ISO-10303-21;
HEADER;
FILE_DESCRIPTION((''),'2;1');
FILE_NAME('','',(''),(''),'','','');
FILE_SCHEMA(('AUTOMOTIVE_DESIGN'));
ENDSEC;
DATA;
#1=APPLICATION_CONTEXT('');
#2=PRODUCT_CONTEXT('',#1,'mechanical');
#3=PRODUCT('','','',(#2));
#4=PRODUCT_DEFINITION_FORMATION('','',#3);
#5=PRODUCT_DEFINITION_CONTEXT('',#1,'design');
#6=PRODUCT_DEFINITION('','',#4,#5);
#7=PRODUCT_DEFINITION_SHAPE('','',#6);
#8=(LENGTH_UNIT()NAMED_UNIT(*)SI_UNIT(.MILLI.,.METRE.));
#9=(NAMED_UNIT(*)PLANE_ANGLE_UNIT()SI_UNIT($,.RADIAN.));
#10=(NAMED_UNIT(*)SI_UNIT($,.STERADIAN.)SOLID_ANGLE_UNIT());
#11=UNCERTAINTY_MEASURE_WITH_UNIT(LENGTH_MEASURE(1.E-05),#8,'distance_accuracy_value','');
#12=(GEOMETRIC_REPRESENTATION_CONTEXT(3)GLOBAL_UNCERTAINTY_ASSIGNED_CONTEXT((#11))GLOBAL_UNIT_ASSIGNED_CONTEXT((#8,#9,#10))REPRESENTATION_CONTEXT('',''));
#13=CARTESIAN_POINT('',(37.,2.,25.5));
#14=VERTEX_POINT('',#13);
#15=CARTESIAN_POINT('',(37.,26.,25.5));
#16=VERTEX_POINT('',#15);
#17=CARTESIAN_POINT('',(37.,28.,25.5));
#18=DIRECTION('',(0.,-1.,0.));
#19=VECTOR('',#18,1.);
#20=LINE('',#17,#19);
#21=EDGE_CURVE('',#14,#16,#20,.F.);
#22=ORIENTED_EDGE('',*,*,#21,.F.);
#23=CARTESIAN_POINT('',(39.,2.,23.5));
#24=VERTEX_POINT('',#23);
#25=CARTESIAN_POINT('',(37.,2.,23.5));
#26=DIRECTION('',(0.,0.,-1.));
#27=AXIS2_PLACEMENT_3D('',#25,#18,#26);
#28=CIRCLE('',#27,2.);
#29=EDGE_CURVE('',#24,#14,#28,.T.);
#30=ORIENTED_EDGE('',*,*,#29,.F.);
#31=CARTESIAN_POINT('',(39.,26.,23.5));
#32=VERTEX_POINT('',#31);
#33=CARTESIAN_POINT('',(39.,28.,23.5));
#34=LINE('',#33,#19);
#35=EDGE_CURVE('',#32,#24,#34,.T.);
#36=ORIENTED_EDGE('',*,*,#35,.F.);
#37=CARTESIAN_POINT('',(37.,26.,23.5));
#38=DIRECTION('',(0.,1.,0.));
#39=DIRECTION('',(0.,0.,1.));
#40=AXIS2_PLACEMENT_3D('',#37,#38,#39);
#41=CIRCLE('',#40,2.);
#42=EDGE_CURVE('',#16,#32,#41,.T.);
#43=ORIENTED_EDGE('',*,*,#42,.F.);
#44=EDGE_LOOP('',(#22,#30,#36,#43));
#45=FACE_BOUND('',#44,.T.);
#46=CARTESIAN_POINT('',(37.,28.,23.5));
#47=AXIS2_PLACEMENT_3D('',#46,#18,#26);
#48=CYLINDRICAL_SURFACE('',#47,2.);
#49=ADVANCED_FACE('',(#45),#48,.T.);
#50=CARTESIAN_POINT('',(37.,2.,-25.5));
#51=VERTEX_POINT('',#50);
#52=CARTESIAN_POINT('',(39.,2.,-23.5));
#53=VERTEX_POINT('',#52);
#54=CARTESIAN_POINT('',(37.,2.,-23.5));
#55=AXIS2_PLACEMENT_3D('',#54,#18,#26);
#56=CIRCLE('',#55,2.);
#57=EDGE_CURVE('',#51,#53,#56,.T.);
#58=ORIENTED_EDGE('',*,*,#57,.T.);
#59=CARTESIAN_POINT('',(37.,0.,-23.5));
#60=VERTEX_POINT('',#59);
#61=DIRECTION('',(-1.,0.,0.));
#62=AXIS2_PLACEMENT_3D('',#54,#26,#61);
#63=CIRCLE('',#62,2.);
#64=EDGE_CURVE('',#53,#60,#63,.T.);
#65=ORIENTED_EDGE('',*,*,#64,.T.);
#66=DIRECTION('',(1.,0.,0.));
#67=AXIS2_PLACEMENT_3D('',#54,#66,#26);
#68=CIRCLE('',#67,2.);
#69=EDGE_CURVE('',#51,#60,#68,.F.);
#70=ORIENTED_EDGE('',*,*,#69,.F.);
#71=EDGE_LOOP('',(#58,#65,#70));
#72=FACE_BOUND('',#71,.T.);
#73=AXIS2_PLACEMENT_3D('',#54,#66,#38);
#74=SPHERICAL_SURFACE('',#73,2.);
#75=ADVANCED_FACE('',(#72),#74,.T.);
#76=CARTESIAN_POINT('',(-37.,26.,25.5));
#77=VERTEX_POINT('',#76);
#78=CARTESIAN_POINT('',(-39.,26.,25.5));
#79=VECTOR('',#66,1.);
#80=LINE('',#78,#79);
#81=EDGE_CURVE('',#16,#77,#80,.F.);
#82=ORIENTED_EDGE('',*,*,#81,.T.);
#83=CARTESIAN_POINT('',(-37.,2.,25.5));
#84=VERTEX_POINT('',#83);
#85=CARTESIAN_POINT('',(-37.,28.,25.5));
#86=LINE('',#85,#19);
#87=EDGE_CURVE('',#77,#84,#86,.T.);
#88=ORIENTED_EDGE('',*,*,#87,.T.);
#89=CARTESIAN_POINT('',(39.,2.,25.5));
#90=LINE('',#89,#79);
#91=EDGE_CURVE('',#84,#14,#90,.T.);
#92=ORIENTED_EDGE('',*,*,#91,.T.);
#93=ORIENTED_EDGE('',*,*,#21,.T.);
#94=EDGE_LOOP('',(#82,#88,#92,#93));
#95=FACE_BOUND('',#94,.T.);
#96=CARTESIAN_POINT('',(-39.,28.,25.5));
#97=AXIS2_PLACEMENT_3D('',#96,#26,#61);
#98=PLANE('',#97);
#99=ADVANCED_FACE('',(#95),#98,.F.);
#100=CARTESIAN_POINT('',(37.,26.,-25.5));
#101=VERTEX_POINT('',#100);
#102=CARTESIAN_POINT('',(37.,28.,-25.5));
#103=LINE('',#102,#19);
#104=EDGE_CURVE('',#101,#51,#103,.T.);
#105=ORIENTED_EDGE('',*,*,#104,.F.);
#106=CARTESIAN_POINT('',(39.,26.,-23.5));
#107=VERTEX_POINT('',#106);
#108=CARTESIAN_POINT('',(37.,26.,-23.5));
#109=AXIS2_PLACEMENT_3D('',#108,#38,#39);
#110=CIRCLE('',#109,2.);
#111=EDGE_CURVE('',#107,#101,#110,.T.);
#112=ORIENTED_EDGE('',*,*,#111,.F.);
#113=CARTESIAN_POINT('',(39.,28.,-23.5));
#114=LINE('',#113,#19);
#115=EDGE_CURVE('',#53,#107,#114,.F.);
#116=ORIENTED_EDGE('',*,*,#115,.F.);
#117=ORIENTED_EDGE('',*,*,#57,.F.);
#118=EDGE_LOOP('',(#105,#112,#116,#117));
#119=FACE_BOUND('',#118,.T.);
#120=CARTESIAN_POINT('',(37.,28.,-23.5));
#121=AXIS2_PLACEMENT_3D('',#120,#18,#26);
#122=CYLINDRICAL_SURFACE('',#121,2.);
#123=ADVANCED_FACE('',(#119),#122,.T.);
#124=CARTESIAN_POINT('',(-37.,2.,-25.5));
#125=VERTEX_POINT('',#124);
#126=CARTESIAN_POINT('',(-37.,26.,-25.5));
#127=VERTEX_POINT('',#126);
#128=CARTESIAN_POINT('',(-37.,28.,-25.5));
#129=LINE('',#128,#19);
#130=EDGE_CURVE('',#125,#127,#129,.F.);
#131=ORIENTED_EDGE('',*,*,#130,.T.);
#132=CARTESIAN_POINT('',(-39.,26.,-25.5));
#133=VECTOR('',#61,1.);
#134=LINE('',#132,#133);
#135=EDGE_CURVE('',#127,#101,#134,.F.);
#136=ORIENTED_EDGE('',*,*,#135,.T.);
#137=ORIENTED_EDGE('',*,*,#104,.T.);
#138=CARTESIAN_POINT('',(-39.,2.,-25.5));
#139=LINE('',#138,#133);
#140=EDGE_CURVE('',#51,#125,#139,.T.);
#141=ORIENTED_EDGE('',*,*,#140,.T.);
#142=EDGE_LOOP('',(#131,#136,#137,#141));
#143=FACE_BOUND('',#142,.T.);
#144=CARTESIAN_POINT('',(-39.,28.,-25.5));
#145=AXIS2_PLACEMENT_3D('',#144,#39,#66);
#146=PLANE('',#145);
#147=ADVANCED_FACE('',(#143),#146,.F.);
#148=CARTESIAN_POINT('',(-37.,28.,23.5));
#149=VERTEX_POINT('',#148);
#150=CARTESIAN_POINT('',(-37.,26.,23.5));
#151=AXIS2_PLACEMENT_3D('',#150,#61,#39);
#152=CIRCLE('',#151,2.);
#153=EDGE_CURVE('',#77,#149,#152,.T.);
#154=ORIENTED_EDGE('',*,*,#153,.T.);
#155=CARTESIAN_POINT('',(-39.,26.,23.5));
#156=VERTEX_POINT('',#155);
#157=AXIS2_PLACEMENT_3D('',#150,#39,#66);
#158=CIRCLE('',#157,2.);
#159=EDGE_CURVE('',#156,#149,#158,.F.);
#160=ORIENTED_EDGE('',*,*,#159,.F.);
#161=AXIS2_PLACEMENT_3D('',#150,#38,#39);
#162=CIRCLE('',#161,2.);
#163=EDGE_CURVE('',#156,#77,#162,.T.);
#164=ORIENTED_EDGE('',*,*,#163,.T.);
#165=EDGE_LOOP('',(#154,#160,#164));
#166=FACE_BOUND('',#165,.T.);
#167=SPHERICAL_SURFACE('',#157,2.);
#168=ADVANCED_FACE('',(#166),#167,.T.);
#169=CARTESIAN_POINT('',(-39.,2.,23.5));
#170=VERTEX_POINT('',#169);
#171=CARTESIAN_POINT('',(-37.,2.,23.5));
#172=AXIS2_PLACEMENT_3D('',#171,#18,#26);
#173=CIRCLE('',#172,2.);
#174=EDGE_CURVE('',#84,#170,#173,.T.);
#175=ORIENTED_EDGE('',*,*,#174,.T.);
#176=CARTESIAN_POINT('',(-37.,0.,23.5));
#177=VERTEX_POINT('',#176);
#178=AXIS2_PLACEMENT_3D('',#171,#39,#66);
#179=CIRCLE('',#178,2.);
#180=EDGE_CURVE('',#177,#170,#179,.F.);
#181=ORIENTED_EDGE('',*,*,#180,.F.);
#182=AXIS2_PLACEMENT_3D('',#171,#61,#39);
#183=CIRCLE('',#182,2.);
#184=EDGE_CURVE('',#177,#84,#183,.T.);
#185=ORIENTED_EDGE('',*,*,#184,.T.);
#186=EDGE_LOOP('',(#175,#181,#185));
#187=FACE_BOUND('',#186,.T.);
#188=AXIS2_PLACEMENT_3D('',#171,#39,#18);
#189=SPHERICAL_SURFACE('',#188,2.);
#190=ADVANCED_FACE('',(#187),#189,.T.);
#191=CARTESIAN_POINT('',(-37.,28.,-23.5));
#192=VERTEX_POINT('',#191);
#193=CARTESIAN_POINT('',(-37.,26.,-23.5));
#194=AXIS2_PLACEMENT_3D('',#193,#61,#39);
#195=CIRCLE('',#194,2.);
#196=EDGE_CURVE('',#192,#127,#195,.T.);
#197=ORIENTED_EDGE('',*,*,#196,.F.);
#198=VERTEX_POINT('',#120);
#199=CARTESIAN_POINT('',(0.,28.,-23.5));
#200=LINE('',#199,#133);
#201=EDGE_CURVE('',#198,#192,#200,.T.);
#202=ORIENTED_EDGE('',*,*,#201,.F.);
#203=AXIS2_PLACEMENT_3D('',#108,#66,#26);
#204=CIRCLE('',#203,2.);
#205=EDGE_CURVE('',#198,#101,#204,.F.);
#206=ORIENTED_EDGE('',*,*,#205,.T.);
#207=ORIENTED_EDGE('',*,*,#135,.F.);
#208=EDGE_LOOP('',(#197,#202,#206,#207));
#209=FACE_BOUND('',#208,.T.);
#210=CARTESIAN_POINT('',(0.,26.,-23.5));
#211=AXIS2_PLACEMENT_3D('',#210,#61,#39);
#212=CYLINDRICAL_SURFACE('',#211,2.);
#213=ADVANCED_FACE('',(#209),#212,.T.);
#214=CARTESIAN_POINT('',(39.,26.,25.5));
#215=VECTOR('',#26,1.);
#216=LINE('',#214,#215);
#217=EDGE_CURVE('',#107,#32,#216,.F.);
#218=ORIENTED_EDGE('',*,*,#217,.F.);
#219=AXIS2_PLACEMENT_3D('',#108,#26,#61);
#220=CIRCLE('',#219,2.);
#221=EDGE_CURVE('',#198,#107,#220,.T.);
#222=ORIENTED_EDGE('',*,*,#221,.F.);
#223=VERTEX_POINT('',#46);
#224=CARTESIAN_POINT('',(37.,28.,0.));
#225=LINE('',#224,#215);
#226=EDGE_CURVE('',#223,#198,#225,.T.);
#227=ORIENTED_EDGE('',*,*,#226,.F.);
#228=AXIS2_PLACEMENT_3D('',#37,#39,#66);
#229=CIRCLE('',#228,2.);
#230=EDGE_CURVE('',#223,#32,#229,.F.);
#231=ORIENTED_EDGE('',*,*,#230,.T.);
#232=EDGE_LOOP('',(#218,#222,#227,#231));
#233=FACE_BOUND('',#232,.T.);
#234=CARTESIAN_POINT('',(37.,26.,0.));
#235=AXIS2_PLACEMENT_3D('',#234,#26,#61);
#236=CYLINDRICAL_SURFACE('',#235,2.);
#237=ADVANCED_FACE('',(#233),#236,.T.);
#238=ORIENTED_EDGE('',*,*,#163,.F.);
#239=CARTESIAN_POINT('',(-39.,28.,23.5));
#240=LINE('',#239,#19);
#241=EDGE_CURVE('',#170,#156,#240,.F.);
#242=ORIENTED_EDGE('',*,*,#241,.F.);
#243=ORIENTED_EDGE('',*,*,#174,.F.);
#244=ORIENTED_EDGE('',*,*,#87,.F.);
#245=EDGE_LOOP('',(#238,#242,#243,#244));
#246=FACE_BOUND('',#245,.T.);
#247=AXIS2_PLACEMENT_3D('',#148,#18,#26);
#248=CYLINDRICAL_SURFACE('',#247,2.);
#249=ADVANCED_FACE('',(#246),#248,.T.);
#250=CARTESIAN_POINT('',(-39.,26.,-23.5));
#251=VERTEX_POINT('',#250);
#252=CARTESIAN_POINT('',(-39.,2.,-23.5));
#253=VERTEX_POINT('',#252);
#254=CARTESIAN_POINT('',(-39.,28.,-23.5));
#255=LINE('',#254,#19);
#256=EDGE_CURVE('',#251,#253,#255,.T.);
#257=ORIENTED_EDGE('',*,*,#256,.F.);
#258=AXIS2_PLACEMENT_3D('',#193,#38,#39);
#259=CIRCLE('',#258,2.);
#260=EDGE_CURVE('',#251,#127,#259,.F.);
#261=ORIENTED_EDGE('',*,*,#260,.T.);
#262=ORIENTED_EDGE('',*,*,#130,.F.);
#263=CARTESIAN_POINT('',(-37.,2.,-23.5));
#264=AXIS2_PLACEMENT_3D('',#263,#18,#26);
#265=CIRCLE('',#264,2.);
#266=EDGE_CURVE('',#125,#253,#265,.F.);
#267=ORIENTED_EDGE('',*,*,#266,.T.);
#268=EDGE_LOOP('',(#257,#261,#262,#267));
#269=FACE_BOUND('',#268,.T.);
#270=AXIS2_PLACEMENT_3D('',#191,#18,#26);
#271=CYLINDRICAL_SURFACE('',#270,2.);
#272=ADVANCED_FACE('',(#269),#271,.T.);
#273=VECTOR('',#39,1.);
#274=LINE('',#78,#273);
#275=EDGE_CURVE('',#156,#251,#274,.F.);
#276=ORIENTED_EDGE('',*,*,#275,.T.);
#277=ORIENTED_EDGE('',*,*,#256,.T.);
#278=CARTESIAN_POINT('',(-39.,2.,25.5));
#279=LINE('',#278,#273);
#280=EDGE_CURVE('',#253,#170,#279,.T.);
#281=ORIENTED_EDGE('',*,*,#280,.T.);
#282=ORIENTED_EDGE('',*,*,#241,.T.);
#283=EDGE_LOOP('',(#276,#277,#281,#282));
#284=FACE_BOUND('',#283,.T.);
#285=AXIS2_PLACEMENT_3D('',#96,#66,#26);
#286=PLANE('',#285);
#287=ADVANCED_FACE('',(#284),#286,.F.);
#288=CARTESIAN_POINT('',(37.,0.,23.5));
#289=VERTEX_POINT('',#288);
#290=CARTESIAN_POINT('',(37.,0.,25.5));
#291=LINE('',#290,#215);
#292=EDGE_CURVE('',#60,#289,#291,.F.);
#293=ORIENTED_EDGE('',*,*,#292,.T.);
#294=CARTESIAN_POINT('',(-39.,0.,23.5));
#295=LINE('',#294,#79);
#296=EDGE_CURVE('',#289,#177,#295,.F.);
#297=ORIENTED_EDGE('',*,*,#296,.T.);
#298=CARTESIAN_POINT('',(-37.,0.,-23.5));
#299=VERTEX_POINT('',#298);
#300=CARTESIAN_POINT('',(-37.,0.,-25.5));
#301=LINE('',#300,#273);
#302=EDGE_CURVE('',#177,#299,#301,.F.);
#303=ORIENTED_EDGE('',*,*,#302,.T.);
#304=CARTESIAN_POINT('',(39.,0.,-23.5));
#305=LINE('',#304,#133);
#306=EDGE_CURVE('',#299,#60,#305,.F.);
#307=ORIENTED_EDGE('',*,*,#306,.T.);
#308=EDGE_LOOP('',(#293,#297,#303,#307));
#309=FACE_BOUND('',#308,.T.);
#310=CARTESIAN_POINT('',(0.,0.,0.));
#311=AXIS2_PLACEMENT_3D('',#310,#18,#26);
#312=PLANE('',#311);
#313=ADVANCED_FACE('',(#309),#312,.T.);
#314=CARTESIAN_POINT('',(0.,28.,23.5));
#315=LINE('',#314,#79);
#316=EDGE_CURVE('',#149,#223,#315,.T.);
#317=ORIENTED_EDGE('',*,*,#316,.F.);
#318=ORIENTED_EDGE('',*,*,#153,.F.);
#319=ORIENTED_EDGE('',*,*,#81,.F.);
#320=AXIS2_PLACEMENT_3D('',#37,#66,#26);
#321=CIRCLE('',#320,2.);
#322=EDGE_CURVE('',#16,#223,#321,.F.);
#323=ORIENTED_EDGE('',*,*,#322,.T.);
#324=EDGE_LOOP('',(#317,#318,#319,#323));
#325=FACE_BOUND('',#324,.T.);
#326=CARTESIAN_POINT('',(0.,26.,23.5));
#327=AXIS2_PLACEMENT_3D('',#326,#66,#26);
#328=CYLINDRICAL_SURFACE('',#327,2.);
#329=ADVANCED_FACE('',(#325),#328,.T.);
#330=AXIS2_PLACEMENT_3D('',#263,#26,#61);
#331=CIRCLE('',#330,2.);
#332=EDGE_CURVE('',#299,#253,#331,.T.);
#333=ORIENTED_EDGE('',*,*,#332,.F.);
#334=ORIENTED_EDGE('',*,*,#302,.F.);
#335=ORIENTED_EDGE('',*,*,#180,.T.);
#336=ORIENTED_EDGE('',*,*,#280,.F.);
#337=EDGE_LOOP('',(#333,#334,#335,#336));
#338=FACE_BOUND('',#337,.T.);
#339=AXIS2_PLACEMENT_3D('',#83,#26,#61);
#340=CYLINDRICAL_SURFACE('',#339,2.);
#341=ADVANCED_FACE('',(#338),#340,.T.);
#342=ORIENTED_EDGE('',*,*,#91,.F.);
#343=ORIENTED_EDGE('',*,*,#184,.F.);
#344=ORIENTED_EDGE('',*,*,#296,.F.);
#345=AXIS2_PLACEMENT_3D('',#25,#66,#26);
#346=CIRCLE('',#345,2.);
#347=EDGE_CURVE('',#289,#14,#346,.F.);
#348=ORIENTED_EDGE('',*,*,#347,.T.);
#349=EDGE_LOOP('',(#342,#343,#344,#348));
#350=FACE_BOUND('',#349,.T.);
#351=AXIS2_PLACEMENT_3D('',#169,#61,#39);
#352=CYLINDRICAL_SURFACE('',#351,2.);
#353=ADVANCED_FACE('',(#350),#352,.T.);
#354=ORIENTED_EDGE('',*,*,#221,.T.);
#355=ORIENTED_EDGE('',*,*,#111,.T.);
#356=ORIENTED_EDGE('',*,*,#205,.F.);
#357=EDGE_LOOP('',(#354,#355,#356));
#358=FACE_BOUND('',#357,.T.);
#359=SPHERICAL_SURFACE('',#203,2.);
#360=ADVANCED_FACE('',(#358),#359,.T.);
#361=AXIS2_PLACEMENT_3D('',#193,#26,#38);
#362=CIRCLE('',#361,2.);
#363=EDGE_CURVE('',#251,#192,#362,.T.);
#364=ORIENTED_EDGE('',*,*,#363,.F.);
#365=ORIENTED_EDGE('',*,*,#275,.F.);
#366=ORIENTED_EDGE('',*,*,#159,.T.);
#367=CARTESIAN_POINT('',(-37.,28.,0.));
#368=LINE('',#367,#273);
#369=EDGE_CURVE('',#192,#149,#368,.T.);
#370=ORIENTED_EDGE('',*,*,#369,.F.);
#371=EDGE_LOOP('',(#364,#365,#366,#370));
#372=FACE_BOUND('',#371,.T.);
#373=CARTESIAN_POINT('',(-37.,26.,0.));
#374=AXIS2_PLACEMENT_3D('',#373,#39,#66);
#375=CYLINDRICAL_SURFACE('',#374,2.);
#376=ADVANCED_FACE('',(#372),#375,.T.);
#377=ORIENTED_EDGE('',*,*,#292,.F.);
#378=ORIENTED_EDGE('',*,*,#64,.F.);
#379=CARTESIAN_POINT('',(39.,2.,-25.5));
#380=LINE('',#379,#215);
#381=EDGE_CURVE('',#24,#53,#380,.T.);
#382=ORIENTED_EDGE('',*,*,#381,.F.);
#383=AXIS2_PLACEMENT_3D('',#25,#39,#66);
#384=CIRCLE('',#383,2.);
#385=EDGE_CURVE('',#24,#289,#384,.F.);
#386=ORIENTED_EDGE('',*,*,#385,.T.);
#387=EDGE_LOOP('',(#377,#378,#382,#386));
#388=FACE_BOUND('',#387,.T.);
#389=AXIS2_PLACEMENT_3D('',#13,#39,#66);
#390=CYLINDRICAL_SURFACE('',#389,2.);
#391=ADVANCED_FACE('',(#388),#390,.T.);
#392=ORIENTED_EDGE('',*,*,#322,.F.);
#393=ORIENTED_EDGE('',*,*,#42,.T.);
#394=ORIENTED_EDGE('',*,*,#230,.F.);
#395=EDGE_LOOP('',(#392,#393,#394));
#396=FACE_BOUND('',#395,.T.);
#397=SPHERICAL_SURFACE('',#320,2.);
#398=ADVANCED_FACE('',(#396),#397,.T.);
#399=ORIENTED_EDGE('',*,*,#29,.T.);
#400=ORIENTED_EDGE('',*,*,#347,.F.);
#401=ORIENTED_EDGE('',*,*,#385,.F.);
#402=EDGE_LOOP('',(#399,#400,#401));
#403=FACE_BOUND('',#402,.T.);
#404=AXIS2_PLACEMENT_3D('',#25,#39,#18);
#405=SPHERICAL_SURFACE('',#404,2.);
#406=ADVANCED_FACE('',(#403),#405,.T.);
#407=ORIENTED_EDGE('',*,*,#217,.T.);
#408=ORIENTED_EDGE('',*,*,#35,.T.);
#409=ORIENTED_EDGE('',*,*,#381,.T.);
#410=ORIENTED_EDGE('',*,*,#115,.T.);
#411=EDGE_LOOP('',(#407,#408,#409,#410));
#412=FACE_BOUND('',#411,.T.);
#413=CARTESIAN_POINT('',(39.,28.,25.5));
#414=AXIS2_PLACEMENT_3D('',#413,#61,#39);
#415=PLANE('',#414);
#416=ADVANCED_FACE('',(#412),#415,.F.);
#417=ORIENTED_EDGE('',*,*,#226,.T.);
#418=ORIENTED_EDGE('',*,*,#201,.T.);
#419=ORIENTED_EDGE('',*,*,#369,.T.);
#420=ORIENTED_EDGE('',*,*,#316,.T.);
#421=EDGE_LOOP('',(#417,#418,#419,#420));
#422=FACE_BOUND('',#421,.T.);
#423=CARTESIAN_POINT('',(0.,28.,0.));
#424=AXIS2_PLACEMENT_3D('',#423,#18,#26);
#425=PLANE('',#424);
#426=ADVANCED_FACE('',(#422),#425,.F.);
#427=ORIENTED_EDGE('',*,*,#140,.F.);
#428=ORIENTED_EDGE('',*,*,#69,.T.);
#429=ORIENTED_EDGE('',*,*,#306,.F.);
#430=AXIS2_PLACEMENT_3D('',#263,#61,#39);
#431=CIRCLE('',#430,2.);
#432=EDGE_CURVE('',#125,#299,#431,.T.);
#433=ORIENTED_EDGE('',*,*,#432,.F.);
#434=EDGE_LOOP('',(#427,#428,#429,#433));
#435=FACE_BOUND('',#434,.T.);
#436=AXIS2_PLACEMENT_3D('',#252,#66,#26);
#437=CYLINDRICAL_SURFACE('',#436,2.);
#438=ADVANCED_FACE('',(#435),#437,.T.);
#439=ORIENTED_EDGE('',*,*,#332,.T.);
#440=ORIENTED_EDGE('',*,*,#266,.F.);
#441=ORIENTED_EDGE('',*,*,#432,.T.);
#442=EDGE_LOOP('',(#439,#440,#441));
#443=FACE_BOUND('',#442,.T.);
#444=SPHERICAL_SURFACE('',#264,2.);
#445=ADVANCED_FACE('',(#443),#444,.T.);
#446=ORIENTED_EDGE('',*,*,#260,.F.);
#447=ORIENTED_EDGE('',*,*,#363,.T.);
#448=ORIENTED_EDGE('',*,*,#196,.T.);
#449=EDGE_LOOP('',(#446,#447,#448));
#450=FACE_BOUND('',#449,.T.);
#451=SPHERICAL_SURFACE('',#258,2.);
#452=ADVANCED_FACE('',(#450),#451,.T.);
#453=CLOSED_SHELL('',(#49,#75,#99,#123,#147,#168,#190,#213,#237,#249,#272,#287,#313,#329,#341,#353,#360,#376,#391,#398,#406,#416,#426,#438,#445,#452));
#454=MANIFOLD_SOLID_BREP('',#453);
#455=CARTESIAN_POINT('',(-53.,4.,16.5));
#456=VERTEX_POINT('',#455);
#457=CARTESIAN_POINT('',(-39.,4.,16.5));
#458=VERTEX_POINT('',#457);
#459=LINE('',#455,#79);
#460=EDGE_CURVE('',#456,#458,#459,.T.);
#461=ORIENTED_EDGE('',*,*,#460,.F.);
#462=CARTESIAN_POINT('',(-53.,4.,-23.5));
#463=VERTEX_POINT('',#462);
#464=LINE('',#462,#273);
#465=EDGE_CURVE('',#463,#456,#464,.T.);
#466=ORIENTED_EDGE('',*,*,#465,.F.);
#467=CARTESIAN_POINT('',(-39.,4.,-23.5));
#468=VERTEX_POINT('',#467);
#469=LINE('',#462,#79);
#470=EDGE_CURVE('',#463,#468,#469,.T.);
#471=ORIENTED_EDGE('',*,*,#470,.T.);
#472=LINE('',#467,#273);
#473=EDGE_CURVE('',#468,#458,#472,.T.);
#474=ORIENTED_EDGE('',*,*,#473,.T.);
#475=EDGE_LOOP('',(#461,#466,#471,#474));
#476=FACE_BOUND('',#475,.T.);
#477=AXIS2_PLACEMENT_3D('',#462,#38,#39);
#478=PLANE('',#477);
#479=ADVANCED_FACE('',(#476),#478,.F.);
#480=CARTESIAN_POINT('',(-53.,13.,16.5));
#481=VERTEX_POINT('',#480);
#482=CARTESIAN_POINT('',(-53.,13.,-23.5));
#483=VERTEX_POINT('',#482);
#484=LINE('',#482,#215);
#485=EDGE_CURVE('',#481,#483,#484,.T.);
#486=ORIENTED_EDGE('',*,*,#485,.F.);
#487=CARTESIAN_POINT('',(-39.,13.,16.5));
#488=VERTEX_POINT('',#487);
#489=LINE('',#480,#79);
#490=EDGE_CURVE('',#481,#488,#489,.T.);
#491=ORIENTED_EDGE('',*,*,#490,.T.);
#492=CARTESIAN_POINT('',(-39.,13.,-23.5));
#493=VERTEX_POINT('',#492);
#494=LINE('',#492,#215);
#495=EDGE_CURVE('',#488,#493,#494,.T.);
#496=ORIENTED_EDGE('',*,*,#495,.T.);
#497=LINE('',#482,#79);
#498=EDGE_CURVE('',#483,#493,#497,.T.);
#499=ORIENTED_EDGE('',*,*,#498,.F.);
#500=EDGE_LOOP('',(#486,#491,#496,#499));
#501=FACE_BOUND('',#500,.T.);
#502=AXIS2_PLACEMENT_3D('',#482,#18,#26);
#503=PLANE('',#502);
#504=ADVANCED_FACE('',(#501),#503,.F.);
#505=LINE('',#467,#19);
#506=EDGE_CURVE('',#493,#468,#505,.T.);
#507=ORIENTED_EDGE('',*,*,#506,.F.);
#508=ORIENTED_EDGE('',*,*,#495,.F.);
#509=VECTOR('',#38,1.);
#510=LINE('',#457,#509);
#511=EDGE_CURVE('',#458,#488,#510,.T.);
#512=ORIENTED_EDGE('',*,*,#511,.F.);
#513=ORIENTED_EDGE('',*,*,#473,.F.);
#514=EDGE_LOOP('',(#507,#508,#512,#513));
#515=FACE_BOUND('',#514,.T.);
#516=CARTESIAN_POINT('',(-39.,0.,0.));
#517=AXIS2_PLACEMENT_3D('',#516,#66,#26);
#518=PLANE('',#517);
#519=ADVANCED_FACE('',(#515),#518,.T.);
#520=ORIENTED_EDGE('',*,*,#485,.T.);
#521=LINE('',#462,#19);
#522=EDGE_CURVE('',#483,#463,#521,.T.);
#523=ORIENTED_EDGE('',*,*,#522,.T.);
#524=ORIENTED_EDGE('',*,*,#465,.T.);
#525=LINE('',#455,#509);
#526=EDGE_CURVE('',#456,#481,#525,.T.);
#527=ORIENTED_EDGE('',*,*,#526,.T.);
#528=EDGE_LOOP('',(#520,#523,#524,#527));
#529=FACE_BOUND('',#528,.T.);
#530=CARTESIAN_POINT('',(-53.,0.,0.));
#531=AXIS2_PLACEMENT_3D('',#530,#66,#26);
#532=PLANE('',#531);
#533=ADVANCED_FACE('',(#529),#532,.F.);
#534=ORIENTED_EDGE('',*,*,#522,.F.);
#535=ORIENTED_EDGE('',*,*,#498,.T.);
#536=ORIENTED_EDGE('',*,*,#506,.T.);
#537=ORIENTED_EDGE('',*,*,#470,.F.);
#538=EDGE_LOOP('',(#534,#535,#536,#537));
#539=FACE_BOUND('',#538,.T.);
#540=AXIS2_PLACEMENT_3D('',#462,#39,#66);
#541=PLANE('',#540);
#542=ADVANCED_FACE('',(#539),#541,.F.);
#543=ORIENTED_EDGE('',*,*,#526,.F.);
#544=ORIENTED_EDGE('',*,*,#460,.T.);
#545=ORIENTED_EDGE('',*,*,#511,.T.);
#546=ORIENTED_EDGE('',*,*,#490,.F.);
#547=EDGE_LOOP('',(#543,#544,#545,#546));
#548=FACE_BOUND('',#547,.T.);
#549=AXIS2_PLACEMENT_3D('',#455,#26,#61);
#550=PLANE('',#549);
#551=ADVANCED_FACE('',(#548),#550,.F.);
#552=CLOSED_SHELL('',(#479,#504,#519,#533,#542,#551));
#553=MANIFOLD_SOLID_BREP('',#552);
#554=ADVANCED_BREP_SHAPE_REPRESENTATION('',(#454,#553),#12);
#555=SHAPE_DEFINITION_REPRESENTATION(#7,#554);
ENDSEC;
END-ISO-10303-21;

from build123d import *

# Parameters (mm, degrees)
SKETCH2_W           = 78
SKETCH2_H           = 51
BOSS_EXTRUDE1_DEPTH = 28
SKETCH3_W           = 40
SKETCH3_H           = 9
BOSS_EXTRUDE2_DEPTH = 14
FILLET1_R           = 2


with BuildPart() as part:
    # Sketch2 → Boss-Extrude1 (new body)
    with BuildSketch(Plane(origin=(0, 0, 0), x_dir=(1, 0, 0), z_dir=(0, 1, 0))):
        Rectangle(SKETCH2_W, SKETCH2_H)
    extrude(amount=BOSS_EXTRUDE1_DEPTH)

    # Fillet1
    fillet1_edges = [part.edges().sort_by_distance(p)[0] for p in [
        (-39, 28, 0),
        (0, 28, 25.5),
        (39, 28, 0),
        (0, 0, 25.5),
        (-39, 0, 0),
        (0, 0, -25.5),
        (39, 0, 0),
        (39, 14, 25.5),
        (-39, 14, 25.5),
        (-39, 14, -25.5),
        (39, 14, -25.5),
        (0, 28, -25.5),
    ]]
    fillet(fillet1_edges, radius=FILLET1_R)


with BuildPart() as body_2:
    # Sketch3 → Boss-Extrude2 (new body)
    with BuildSketch(Plane.ZY.offset(39)):
        with Locations((-3.5, 8.5)):
            Rectangle(SKETCH3_W, SKETCH3_H)
    extrude(amount=BOSS_EXTRUDE2_DEPTH)


solid = Compound([part.part, body_2.part])
